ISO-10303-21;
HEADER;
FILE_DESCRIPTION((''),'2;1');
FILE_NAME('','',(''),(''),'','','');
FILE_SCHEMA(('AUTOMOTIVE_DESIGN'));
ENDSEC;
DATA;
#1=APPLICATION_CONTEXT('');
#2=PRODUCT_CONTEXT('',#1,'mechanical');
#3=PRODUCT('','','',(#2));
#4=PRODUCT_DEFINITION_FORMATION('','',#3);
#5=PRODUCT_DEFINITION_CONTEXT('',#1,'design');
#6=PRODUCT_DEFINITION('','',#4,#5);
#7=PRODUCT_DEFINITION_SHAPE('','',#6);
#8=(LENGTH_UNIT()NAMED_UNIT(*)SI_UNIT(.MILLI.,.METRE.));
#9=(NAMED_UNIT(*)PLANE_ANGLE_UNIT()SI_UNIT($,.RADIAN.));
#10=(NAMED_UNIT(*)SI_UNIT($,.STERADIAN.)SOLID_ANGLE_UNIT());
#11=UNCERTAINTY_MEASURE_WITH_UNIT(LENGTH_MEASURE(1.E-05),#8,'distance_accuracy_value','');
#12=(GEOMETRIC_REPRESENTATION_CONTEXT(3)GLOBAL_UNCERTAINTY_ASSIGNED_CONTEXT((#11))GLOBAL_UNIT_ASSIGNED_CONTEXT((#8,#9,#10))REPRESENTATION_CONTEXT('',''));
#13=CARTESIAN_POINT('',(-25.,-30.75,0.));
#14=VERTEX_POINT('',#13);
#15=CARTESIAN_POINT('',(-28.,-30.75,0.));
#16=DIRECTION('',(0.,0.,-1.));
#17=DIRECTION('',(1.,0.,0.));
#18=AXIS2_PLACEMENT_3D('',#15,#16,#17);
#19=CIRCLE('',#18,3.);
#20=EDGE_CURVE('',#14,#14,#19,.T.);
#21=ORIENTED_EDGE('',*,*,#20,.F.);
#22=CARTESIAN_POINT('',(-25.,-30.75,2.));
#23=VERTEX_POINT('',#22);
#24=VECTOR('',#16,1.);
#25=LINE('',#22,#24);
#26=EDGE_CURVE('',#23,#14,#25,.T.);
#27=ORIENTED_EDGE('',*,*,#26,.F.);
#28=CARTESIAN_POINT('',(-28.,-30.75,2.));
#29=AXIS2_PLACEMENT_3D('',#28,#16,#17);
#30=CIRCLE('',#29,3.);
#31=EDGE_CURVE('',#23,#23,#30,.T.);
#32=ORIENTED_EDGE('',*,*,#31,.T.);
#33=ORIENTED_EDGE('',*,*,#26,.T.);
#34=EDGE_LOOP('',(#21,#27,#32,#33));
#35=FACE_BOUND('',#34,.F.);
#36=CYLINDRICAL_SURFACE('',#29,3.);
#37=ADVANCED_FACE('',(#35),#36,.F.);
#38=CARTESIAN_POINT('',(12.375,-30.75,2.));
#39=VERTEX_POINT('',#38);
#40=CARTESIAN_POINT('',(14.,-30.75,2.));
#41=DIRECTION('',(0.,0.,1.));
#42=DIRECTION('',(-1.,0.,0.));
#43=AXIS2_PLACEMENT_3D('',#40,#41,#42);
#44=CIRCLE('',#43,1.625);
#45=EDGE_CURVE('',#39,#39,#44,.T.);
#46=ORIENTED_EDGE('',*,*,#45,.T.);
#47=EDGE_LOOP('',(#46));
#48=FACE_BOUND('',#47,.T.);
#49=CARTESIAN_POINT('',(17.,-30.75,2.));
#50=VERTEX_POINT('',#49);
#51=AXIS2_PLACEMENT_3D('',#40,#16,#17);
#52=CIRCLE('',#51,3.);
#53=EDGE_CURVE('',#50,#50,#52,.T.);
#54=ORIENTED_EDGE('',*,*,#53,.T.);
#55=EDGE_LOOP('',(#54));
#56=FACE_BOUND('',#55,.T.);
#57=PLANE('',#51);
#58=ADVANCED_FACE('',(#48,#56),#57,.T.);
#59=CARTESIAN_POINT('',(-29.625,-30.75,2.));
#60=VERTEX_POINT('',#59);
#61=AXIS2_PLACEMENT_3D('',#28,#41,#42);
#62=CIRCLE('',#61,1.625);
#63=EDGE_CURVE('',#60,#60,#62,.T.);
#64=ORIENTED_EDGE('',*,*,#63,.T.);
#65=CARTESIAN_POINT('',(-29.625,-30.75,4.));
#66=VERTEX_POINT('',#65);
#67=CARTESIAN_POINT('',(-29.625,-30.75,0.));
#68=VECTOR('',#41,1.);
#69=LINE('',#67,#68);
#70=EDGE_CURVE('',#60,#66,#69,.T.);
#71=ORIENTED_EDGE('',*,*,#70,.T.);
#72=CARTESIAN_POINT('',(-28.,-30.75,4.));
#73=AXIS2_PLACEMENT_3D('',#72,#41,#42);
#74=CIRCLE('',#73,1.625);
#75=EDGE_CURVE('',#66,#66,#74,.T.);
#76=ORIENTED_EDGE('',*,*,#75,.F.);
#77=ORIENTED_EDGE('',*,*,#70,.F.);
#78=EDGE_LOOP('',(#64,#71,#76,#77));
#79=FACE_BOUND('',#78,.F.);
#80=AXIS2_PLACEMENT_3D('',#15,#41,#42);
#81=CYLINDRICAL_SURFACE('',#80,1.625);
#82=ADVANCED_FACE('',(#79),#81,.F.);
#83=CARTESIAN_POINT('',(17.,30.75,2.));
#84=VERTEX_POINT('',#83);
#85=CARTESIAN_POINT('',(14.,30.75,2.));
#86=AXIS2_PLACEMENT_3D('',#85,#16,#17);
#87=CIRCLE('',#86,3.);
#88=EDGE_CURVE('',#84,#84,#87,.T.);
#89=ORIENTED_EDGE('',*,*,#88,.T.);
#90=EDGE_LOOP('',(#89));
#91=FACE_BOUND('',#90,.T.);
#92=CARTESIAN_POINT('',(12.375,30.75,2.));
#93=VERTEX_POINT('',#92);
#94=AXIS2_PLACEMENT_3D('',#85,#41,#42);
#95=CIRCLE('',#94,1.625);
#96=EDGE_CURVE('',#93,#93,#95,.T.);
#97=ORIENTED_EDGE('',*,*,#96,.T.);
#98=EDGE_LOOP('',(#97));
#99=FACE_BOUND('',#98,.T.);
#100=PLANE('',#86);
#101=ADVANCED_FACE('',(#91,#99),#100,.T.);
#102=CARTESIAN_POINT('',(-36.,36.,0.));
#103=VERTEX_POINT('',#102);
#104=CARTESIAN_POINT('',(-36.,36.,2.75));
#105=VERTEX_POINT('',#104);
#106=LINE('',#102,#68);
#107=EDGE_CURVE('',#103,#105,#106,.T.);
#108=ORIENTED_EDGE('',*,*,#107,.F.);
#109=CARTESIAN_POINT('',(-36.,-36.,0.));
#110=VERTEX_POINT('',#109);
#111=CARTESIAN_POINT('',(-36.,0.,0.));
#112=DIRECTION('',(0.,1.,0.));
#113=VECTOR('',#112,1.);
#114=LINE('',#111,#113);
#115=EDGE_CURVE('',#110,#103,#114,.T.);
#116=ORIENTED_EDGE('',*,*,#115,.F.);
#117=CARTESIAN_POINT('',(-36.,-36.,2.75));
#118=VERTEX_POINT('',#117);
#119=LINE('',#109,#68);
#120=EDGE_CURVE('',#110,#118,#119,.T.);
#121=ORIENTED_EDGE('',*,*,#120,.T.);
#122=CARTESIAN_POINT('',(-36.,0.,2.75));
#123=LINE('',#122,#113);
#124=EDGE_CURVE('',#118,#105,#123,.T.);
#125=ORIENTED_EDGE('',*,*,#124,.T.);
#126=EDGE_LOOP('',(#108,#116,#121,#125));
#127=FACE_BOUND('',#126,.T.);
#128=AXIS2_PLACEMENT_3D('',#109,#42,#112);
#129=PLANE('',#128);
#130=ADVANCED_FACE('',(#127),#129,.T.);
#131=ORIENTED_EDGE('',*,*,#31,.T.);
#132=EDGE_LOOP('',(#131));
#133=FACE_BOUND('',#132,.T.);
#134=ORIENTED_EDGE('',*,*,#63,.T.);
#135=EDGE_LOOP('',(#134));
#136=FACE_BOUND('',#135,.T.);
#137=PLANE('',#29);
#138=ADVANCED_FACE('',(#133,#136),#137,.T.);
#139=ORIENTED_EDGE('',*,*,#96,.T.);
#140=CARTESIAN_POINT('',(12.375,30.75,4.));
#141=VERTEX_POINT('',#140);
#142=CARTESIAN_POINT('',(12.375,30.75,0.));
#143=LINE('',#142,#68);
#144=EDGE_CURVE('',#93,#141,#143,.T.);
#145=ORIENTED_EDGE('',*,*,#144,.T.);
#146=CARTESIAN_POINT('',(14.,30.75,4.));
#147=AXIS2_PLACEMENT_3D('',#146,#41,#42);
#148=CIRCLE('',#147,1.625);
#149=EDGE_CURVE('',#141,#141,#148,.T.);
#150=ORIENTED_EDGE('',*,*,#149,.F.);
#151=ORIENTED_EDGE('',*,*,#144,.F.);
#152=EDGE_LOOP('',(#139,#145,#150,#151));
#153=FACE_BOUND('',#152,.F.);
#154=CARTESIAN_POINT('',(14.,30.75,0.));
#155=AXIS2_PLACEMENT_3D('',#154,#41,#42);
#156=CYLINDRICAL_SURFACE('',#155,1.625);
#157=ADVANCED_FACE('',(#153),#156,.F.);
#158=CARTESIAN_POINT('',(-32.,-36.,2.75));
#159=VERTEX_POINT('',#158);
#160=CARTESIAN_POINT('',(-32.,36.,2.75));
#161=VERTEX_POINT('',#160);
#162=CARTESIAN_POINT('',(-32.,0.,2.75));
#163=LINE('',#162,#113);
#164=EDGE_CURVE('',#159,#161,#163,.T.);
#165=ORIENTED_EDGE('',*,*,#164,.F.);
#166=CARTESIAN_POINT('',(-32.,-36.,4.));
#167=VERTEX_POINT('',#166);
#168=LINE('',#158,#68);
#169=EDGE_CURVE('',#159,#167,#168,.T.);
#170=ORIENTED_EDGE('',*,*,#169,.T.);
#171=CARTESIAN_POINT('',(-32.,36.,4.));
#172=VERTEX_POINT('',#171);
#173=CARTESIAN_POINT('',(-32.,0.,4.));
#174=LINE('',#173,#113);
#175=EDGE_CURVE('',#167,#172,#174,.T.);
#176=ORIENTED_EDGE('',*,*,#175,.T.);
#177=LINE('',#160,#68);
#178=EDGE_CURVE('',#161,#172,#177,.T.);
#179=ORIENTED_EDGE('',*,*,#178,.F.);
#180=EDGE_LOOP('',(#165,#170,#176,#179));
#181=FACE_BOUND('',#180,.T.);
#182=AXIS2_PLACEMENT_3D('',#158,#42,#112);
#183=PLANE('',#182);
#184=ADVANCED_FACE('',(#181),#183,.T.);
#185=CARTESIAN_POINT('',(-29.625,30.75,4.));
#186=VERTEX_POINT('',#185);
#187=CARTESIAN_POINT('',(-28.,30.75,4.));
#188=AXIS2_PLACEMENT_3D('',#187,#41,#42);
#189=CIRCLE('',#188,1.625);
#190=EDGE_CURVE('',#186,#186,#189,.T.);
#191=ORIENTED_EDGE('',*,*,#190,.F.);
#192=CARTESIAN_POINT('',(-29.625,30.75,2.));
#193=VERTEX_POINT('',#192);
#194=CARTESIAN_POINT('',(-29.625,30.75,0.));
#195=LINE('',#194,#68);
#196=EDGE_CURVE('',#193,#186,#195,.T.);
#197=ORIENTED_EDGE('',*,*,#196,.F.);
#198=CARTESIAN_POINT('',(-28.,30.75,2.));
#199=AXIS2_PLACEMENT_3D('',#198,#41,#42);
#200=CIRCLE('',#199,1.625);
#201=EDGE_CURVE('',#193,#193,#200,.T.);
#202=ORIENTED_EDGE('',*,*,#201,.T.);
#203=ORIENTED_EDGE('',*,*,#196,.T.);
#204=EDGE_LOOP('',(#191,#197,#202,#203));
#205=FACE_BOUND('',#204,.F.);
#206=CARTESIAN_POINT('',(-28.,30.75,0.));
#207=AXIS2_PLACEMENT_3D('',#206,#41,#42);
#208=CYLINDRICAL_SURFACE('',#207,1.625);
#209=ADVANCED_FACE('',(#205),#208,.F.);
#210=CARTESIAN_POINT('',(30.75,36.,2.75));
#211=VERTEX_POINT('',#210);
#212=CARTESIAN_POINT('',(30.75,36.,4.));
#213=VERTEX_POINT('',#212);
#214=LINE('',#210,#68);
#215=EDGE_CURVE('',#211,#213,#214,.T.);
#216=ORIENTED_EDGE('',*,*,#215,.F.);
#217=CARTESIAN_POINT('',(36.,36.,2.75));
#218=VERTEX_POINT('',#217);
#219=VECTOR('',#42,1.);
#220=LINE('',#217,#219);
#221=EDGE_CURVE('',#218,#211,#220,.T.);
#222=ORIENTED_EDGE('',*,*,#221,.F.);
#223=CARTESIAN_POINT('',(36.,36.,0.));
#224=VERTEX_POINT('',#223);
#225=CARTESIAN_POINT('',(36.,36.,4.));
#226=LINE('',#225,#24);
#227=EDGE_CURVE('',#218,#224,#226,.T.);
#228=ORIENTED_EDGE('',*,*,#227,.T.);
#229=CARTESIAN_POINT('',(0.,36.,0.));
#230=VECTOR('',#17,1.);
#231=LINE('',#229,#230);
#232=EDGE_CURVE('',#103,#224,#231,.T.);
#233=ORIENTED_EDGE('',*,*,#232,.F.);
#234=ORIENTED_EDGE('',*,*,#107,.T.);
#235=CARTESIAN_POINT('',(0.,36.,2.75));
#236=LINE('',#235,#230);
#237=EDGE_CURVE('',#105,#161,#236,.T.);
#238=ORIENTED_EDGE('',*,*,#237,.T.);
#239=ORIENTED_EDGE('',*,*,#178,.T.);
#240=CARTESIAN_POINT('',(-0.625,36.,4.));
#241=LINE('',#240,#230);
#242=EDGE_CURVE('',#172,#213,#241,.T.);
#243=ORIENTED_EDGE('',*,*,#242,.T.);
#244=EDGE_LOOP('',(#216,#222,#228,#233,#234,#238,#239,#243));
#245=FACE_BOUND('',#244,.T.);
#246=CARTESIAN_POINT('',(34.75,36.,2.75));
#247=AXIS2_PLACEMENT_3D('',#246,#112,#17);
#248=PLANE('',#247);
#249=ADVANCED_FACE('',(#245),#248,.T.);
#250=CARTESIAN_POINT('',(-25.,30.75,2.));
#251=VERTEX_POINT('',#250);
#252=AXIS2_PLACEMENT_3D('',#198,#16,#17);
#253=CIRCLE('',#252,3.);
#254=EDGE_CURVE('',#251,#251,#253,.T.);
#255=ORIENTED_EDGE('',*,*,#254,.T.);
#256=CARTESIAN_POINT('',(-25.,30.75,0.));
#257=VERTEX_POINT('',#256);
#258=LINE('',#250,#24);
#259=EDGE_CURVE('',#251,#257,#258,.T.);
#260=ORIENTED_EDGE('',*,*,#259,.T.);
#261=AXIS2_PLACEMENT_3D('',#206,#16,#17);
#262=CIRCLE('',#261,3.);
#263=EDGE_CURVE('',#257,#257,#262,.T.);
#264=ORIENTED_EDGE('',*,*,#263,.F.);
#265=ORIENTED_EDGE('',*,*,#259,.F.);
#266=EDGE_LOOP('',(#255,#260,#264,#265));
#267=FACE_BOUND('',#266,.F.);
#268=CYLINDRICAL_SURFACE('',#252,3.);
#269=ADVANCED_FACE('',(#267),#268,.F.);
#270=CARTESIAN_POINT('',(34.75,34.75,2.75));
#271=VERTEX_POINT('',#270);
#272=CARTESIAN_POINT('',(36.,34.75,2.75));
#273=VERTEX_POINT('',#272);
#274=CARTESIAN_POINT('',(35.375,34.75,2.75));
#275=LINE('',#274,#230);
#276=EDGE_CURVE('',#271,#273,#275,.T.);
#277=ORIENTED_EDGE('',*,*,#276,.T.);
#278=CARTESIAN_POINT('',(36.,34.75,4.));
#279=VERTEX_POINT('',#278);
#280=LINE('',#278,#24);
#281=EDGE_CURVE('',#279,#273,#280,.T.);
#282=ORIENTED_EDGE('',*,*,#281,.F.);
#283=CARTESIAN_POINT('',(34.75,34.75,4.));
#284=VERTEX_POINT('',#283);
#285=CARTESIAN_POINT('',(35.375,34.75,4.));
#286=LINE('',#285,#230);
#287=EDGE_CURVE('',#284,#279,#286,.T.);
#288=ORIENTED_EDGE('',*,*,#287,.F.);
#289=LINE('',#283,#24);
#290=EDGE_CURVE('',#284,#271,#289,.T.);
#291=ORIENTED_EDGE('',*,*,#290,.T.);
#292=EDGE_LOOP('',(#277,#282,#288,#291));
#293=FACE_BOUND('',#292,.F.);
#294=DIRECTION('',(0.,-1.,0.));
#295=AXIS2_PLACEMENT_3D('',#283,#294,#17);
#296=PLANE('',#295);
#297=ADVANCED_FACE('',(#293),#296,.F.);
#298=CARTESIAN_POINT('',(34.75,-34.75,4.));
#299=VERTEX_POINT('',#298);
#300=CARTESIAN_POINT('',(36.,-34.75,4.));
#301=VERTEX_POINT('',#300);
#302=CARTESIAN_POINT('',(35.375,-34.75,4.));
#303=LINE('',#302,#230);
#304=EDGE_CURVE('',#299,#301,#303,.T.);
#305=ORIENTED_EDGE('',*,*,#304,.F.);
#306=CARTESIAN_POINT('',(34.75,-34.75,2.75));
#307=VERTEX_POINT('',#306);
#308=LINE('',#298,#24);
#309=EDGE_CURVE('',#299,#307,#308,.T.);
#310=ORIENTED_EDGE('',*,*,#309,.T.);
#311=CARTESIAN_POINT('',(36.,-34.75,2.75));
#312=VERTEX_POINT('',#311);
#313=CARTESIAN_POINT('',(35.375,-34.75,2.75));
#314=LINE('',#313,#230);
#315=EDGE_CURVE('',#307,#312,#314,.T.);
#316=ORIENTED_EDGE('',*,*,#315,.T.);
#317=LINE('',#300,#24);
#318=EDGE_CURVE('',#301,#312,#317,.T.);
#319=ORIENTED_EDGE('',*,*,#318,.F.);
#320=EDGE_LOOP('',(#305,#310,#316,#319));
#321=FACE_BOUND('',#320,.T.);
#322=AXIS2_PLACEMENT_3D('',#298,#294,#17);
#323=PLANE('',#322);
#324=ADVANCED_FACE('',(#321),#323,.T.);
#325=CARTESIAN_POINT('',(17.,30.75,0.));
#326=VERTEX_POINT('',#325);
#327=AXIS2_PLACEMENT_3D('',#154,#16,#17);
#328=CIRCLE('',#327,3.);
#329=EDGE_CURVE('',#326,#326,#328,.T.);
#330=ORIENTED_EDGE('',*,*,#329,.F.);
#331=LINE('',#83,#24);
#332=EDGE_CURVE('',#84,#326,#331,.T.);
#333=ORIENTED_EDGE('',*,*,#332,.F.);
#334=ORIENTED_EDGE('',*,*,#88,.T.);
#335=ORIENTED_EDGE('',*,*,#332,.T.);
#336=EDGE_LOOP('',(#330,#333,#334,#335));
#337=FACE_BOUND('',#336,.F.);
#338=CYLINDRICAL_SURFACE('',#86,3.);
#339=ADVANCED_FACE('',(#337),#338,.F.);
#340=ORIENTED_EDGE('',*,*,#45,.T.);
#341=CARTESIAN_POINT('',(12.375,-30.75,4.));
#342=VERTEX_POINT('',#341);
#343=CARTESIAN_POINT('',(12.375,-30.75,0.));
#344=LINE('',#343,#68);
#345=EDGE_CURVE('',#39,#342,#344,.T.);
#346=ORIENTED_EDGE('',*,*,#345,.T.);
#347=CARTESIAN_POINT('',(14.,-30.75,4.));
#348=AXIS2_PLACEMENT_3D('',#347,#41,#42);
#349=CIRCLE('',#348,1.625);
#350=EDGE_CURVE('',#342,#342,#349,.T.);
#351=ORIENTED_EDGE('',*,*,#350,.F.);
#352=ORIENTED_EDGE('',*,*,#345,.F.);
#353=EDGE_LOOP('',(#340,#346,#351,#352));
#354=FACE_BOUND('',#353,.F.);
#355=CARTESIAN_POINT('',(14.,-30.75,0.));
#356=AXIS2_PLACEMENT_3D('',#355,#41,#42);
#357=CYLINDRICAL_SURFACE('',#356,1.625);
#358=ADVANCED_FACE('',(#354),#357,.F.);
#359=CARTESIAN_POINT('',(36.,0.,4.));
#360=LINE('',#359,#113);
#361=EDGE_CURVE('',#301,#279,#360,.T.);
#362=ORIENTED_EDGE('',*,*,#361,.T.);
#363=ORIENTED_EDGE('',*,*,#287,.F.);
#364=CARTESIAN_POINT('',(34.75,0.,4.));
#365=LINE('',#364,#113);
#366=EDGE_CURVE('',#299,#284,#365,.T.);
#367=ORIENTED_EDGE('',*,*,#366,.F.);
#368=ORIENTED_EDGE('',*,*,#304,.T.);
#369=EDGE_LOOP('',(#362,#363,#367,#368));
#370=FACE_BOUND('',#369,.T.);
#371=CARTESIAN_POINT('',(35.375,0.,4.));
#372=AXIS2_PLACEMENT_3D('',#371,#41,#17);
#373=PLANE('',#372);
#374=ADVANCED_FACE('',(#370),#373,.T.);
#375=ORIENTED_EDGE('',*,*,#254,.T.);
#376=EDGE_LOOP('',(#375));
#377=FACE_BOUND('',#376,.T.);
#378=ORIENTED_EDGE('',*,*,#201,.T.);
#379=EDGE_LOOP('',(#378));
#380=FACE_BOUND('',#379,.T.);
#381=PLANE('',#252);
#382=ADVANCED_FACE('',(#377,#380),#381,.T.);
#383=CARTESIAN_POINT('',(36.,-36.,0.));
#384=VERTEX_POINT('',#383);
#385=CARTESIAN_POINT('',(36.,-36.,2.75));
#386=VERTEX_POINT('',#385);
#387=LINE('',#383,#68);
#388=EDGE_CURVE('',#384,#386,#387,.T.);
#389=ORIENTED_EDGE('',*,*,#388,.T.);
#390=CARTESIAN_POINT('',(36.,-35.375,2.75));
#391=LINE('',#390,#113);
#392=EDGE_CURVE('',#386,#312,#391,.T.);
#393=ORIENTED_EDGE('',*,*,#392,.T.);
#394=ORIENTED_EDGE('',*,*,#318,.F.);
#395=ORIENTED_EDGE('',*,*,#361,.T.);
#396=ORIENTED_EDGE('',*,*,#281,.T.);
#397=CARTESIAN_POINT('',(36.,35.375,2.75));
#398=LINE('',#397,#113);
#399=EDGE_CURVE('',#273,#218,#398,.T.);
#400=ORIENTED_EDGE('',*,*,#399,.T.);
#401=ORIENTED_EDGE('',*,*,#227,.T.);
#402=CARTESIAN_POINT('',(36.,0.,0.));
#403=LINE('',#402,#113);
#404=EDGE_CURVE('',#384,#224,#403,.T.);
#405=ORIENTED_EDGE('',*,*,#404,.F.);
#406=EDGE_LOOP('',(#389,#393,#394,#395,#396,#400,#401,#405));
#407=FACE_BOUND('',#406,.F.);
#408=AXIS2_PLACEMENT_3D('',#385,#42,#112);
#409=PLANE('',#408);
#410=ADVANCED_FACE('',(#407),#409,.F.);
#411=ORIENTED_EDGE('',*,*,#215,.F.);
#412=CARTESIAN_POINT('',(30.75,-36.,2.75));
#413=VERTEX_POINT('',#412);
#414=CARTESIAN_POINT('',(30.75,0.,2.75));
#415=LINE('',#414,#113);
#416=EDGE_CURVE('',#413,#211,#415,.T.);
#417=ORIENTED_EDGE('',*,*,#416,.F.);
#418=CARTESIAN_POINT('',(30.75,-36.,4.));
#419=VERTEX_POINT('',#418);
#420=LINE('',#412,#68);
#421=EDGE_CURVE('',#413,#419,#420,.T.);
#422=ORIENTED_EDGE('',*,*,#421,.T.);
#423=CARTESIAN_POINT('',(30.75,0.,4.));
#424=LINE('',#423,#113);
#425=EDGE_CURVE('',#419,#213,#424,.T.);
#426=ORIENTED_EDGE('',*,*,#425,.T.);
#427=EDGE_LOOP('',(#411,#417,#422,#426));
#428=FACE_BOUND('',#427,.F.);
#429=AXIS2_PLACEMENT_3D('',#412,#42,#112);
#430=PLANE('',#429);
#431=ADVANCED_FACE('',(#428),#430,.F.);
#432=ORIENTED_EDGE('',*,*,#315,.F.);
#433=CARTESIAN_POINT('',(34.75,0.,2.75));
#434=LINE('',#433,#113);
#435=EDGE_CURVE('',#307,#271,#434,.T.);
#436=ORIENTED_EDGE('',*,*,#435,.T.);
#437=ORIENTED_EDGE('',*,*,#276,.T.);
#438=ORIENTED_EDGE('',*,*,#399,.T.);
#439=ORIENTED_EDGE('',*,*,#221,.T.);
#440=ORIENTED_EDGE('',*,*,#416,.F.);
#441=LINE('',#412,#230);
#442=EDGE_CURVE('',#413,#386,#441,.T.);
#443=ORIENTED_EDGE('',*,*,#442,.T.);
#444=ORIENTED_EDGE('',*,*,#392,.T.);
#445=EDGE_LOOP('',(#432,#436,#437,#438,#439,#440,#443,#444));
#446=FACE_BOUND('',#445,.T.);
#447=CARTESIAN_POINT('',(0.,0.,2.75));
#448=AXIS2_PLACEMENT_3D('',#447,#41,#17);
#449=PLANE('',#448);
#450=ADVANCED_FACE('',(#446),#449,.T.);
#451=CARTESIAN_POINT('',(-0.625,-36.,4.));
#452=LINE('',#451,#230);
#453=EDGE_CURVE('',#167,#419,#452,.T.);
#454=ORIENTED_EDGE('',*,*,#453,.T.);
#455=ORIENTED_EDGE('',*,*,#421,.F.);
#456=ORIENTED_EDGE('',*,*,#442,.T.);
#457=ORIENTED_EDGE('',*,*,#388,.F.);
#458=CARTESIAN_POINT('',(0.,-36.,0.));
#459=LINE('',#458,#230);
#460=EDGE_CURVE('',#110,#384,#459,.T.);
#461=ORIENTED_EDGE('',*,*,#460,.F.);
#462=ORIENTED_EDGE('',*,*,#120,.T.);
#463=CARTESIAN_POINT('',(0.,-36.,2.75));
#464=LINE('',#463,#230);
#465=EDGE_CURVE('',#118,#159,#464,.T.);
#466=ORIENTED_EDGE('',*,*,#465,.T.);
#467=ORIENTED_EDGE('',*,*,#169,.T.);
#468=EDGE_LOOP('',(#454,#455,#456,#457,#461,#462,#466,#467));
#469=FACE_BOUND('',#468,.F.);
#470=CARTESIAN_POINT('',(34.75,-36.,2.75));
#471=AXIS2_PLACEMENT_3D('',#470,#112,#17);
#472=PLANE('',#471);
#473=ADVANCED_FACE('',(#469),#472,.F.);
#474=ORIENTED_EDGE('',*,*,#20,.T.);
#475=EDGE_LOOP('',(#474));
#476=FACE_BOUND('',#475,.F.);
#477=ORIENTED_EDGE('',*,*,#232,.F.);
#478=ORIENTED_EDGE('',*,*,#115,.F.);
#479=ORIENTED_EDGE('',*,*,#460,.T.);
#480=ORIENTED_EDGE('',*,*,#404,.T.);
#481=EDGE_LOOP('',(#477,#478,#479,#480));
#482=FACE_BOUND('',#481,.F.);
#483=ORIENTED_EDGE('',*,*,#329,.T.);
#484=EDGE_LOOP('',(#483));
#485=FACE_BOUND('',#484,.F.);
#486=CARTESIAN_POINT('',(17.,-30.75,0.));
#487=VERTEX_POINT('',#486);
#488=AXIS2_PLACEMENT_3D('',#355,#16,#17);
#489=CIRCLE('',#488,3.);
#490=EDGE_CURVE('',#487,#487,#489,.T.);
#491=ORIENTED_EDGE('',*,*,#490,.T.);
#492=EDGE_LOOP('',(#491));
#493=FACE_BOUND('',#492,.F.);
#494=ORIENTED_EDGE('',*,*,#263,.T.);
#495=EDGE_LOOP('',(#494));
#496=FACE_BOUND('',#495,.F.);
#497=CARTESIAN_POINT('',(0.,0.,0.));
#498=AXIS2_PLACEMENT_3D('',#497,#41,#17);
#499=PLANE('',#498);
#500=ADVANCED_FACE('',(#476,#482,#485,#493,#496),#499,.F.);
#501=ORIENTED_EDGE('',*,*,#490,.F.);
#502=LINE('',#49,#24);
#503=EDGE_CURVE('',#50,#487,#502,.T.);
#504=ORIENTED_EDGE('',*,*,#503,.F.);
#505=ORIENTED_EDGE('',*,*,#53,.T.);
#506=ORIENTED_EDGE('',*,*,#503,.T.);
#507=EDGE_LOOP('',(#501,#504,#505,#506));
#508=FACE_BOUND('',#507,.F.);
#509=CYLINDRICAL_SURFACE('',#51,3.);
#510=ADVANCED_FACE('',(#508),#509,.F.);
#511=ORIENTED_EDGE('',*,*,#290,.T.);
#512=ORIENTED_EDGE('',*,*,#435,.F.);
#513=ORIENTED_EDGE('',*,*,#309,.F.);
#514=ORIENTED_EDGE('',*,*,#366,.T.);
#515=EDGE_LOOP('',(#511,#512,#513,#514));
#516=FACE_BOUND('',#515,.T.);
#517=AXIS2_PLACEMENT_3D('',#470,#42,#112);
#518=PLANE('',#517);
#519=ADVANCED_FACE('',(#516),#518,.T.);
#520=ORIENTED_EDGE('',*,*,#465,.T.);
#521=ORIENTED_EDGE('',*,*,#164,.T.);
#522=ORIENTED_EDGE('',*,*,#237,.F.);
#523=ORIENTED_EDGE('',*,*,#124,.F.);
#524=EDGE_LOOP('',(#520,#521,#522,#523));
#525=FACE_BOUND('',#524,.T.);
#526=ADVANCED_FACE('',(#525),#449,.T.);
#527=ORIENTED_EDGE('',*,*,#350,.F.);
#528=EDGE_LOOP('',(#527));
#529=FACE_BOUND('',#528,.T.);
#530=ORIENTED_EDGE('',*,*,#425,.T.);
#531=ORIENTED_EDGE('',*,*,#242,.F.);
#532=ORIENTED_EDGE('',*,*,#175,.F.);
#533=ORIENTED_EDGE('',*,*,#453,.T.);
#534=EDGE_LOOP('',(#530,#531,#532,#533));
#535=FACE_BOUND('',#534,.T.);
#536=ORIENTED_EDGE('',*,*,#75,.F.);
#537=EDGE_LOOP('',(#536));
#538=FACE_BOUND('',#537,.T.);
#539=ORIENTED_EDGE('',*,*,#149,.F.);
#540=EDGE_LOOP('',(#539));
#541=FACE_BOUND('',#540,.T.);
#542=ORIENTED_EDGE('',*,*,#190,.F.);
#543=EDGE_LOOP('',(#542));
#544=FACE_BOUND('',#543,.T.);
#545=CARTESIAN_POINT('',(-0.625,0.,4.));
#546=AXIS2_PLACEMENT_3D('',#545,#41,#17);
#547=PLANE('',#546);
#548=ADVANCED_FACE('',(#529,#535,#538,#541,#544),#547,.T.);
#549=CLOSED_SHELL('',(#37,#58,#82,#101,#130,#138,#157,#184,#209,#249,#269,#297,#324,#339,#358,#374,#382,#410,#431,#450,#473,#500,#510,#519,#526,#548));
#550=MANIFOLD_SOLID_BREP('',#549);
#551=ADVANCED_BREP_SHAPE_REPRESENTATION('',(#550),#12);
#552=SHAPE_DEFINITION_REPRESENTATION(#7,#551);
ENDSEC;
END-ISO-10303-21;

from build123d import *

# Parameters (mm, degrees)
F0_W           = 72
F0_H           = 72
F1_DEPTH       = 2.75
F2_W           = 62.75
F2_H           = 72
F2_W_2         = 1.25
F3_DEPTH       = 1.25
F5_D           = 3.25
F5_DEPTH       = 8
F5_CBORE_D     = 6
F5_CBORE_DEPTH = 2
F6_W           = 1.25
F6_H           = 1.25
F7_DEPTH       = 1.25


with BuildPart() as f1:
    # F0 (on Top) → F1 (new body)
    with BuildSketch(Plane.XY):
        Rectangle(F0_W, F0_H)
    extrude(amount=F1_DEPTH)

    # F2 (on face) → F3 (join)
    with BuildSketch(Plane.XY.offset(2.75)):
        with Locations((-0.625, 0)):
            Rectangle(F2_W, F2_H)
        with Locations((35.375, 0)):
            Rectangle(F2_W_2, F2_H)
    extrude(amount=F3_DEPTH)

    # F5
    with Locations(Plane(origin=(0, 0, 0), x_dir=(1, 0, 0), z_dir=(0, 0, -1))):
        with Locations((-28, -30.75), (14, -30.75), (-28, 30.75), (14, 30.75)):
            CounterBoreHole(F5_D / 2, F5_CBORE_D / 2, F5_CBORE_DEPTH, depth=F5_DEPTH)

    # F6 (on face) → F7 (cut)
    with BuildSketch(Plane.XY.offset(4)):
        with Locations((35.375, 35.375)):
            Rectangle(F6_W, F6_H)
        with Locations((35.375, -35.375)):
            Rectangle(F6_W, F6_H)
    extrude(amount=-F7_DEPTH, mode=Mode.SUBTRACT)


solid = f1.part
